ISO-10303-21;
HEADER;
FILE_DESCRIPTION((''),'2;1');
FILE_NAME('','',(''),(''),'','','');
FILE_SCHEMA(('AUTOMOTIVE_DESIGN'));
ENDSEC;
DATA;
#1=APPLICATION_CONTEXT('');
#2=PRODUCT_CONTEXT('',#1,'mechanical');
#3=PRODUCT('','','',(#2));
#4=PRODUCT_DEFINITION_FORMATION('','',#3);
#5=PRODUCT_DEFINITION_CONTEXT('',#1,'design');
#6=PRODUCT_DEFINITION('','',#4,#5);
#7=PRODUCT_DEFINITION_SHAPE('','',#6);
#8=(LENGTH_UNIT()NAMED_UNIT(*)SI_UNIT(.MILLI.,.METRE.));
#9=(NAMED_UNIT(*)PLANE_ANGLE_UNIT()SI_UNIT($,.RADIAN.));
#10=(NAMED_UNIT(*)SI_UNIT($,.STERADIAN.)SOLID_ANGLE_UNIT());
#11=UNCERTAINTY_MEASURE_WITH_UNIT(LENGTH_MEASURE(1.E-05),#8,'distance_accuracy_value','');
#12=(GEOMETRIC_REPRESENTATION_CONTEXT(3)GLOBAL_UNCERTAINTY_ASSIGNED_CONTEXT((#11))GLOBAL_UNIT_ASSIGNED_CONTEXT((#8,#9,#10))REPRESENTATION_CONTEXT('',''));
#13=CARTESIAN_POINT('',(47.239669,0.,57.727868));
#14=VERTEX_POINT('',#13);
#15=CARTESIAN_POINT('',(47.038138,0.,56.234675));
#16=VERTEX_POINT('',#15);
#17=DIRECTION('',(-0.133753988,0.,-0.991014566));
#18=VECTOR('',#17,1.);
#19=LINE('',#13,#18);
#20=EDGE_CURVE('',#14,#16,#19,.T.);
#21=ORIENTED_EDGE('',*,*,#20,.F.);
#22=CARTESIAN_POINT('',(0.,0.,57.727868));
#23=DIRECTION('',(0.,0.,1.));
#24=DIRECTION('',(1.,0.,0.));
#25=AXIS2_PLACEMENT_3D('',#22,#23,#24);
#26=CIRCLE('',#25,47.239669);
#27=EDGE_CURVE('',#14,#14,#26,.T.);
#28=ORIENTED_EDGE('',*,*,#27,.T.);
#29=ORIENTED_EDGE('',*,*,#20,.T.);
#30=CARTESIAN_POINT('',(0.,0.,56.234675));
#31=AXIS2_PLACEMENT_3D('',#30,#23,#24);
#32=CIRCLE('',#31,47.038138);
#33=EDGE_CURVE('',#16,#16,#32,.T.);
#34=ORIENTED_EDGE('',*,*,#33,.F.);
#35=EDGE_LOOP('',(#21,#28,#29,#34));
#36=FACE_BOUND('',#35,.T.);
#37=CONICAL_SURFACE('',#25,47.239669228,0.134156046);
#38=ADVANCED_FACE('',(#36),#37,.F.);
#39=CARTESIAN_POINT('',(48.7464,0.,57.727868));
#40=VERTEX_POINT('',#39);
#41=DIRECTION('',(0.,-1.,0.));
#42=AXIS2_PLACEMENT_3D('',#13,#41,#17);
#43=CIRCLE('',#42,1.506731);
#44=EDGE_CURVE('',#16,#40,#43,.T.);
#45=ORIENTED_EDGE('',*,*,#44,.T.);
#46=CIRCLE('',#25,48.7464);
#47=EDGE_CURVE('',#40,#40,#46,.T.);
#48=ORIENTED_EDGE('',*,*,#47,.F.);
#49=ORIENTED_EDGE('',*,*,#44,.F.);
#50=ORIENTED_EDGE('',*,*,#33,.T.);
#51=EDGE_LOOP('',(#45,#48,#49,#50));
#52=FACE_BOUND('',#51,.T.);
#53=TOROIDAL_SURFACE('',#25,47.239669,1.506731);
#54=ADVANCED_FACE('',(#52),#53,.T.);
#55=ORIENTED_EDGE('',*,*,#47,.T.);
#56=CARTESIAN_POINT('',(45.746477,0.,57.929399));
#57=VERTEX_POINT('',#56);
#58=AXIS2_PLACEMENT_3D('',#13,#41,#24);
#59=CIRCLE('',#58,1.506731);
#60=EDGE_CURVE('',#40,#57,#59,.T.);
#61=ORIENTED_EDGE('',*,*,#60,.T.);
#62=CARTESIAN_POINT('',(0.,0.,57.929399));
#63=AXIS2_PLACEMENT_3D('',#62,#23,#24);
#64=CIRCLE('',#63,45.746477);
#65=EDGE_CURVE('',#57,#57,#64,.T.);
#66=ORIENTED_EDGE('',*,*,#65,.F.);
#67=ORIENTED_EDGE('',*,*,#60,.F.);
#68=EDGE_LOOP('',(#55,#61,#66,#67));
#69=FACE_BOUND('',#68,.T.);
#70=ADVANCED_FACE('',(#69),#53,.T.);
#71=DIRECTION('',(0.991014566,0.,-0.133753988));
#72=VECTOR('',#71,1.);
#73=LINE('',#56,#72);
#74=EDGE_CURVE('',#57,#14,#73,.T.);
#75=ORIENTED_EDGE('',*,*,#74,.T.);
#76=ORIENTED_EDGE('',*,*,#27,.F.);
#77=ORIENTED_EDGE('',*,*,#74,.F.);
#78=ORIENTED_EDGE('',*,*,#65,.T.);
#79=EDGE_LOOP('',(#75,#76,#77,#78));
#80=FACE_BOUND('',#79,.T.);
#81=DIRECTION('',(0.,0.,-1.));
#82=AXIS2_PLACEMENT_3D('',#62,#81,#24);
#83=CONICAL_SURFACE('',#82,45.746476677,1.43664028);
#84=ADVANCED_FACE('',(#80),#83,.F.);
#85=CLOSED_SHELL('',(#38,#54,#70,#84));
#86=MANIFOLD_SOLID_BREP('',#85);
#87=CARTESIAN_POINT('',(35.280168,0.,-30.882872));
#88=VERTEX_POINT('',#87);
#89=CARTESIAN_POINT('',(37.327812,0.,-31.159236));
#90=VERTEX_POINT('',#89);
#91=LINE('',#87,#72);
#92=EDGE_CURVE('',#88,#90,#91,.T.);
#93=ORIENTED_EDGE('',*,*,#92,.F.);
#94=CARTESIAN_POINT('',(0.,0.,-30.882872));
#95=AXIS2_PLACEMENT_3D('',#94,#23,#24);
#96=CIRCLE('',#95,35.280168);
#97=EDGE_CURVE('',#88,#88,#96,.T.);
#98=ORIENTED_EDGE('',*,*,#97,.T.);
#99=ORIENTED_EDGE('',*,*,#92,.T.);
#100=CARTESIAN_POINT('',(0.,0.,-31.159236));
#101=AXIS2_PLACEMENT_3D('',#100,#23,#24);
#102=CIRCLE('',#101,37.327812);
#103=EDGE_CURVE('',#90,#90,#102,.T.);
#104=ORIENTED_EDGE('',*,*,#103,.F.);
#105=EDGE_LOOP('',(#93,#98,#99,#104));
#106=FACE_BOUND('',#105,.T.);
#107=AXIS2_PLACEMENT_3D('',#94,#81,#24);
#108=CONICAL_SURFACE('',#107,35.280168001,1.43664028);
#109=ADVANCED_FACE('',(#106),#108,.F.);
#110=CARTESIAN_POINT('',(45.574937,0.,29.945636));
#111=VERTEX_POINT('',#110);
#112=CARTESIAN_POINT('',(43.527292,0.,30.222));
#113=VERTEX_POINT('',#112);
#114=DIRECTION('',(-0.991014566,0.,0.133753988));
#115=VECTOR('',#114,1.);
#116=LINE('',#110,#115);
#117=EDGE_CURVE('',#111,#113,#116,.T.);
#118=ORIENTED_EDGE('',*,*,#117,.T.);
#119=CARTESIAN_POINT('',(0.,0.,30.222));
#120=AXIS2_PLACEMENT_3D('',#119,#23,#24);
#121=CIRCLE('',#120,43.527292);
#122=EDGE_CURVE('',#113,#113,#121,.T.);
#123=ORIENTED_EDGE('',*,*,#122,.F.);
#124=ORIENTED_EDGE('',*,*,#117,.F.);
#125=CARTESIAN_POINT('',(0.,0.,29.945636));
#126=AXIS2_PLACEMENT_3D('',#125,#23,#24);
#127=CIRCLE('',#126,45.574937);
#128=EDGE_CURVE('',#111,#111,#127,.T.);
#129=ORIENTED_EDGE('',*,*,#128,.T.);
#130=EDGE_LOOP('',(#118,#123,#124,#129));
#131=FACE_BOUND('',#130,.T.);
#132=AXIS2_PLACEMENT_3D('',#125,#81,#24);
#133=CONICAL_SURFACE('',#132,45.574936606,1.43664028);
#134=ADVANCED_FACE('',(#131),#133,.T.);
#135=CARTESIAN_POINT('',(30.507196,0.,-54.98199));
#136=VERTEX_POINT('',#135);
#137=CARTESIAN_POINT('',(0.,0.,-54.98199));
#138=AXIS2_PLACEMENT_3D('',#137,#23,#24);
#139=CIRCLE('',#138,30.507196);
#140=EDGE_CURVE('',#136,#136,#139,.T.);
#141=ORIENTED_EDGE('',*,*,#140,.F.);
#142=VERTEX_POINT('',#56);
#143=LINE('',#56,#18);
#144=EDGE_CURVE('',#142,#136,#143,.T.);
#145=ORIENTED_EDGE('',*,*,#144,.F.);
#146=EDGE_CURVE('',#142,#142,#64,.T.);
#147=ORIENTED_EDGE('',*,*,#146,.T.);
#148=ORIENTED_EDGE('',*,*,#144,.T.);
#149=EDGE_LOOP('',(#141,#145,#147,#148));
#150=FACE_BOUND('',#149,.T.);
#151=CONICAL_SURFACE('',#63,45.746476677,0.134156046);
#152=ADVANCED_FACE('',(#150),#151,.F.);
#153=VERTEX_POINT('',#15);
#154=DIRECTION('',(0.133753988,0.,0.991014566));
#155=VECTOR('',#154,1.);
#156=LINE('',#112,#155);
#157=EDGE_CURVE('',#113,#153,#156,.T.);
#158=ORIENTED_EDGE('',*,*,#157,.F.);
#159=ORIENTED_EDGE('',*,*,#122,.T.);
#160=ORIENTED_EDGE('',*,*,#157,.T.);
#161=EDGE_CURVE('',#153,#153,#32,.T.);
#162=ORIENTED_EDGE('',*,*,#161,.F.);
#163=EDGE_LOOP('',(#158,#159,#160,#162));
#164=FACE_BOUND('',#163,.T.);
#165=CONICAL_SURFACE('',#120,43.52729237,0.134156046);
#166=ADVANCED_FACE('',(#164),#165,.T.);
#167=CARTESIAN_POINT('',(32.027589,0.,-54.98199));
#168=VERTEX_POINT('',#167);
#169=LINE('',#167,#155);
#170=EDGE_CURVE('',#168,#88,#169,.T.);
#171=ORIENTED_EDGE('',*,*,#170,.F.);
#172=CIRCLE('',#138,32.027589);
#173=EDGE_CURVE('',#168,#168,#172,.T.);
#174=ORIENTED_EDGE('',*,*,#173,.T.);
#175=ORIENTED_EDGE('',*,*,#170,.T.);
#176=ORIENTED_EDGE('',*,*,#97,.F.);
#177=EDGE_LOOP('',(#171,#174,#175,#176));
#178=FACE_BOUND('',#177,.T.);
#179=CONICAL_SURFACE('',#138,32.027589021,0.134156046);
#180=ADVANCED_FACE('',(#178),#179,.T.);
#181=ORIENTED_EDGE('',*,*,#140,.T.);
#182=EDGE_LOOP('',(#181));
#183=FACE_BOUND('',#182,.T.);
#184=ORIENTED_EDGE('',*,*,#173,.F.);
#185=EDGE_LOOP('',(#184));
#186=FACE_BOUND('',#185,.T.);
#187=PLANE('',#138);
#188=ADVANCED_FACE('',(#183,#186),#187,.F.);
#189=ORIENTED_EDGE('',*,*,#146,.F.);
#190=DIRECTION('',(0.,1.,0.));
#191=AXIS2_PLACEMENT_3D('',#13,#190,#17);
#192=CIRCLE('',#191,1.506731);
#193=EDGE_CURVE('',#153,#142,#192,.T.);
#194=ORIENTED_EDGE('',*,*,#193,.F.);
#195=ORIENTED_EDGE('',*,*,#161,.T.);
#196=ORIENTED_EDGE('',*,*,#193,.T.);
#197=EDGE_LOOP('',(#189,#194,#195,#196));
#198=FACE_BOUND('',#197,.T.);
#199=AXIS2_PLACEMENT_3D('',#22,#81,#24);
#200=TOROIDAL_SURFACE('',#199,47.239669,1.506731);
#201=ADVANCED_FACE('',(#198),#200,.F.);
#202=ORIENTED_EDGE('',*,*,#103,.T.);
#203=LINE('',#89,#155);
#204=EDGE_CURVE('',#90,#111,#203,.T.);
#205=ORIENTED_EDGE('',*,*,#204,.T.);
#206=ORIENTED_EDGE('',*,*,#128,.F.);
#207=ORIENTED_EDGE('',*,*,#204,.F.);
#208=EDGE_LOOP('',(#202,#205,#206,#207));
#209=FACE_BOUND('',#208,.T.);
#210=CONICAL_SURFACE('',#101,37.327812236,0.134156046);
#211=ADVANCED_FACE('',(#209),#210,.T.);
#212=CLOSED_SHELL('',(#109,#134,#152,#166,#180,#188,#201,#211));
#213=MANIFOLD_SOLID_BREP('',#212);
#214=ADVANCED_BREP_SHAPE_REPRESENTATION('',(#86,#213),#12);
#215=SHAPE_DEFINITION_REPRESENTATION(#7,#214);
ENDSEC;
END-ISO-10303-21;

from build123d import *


with BuildPart() as f1:
    # F0 (on Front) → F1 (revolve)
    with BuildSketch(Plane.XZ):
        with BuildLine():
            Line((47.2396692276, 57.7278679256), (47.0381379224, 56.2346753748))
            ThreePointArc((47.0381379224, 56.2346753748), (48.2312803809, 56.5934314217), (48.7464004115, 57.7278679256))
            ThreePointArc((48.7464004115, 57.7278679256), (47.3406620016, 59.2312106411), (45.7464766769, 57.9293992308))
            Line((45.7464766769, 57.9293992308), (47.2396692276, 57.7278679256))
        make_face()
    revolve(axis=Axis((0, 0, 0), (0, 0, 1)))


with BuildPart() as f1b:
    # F0 (on Front) → F1, piece 2 (revolve)
    with BuildSketch(Plane.XZ):
        Polygon((45.5749366056, 29.9456361477), (43.5272923705, 30.2219999798), (35.2801680012, -30.8828723325), (37.3278122364, -31.1592361646), align=None)
        with BuildLine():
            Line((35.2801680012, -30.8828723325), (43.5272923705, 30.2219999798))
            Line((43.5272923705, 30.2219999798), (47.0381379224, 56.2346753748))
            ThreePointArc((47.0381379224, 56.2346753748), (46.0413184968, 56.8145254999), (45.7464766769, 57.9293992308))
            Line((45.7464766769, 57.9293992308), (30.5071964503, -54.9819903256))
            Line((30.5071964503, -54.9819903256), (32.0275890209, -54.9819903256))
            Line((32.0275890209, -54.9819903256), (35.2801680012, -30.8828723325))
        make_face()
    revolve(axis=Axis((0, 0, 0), (0, 0, 1)))


solid = Compound([f1.part, f1b.part])
